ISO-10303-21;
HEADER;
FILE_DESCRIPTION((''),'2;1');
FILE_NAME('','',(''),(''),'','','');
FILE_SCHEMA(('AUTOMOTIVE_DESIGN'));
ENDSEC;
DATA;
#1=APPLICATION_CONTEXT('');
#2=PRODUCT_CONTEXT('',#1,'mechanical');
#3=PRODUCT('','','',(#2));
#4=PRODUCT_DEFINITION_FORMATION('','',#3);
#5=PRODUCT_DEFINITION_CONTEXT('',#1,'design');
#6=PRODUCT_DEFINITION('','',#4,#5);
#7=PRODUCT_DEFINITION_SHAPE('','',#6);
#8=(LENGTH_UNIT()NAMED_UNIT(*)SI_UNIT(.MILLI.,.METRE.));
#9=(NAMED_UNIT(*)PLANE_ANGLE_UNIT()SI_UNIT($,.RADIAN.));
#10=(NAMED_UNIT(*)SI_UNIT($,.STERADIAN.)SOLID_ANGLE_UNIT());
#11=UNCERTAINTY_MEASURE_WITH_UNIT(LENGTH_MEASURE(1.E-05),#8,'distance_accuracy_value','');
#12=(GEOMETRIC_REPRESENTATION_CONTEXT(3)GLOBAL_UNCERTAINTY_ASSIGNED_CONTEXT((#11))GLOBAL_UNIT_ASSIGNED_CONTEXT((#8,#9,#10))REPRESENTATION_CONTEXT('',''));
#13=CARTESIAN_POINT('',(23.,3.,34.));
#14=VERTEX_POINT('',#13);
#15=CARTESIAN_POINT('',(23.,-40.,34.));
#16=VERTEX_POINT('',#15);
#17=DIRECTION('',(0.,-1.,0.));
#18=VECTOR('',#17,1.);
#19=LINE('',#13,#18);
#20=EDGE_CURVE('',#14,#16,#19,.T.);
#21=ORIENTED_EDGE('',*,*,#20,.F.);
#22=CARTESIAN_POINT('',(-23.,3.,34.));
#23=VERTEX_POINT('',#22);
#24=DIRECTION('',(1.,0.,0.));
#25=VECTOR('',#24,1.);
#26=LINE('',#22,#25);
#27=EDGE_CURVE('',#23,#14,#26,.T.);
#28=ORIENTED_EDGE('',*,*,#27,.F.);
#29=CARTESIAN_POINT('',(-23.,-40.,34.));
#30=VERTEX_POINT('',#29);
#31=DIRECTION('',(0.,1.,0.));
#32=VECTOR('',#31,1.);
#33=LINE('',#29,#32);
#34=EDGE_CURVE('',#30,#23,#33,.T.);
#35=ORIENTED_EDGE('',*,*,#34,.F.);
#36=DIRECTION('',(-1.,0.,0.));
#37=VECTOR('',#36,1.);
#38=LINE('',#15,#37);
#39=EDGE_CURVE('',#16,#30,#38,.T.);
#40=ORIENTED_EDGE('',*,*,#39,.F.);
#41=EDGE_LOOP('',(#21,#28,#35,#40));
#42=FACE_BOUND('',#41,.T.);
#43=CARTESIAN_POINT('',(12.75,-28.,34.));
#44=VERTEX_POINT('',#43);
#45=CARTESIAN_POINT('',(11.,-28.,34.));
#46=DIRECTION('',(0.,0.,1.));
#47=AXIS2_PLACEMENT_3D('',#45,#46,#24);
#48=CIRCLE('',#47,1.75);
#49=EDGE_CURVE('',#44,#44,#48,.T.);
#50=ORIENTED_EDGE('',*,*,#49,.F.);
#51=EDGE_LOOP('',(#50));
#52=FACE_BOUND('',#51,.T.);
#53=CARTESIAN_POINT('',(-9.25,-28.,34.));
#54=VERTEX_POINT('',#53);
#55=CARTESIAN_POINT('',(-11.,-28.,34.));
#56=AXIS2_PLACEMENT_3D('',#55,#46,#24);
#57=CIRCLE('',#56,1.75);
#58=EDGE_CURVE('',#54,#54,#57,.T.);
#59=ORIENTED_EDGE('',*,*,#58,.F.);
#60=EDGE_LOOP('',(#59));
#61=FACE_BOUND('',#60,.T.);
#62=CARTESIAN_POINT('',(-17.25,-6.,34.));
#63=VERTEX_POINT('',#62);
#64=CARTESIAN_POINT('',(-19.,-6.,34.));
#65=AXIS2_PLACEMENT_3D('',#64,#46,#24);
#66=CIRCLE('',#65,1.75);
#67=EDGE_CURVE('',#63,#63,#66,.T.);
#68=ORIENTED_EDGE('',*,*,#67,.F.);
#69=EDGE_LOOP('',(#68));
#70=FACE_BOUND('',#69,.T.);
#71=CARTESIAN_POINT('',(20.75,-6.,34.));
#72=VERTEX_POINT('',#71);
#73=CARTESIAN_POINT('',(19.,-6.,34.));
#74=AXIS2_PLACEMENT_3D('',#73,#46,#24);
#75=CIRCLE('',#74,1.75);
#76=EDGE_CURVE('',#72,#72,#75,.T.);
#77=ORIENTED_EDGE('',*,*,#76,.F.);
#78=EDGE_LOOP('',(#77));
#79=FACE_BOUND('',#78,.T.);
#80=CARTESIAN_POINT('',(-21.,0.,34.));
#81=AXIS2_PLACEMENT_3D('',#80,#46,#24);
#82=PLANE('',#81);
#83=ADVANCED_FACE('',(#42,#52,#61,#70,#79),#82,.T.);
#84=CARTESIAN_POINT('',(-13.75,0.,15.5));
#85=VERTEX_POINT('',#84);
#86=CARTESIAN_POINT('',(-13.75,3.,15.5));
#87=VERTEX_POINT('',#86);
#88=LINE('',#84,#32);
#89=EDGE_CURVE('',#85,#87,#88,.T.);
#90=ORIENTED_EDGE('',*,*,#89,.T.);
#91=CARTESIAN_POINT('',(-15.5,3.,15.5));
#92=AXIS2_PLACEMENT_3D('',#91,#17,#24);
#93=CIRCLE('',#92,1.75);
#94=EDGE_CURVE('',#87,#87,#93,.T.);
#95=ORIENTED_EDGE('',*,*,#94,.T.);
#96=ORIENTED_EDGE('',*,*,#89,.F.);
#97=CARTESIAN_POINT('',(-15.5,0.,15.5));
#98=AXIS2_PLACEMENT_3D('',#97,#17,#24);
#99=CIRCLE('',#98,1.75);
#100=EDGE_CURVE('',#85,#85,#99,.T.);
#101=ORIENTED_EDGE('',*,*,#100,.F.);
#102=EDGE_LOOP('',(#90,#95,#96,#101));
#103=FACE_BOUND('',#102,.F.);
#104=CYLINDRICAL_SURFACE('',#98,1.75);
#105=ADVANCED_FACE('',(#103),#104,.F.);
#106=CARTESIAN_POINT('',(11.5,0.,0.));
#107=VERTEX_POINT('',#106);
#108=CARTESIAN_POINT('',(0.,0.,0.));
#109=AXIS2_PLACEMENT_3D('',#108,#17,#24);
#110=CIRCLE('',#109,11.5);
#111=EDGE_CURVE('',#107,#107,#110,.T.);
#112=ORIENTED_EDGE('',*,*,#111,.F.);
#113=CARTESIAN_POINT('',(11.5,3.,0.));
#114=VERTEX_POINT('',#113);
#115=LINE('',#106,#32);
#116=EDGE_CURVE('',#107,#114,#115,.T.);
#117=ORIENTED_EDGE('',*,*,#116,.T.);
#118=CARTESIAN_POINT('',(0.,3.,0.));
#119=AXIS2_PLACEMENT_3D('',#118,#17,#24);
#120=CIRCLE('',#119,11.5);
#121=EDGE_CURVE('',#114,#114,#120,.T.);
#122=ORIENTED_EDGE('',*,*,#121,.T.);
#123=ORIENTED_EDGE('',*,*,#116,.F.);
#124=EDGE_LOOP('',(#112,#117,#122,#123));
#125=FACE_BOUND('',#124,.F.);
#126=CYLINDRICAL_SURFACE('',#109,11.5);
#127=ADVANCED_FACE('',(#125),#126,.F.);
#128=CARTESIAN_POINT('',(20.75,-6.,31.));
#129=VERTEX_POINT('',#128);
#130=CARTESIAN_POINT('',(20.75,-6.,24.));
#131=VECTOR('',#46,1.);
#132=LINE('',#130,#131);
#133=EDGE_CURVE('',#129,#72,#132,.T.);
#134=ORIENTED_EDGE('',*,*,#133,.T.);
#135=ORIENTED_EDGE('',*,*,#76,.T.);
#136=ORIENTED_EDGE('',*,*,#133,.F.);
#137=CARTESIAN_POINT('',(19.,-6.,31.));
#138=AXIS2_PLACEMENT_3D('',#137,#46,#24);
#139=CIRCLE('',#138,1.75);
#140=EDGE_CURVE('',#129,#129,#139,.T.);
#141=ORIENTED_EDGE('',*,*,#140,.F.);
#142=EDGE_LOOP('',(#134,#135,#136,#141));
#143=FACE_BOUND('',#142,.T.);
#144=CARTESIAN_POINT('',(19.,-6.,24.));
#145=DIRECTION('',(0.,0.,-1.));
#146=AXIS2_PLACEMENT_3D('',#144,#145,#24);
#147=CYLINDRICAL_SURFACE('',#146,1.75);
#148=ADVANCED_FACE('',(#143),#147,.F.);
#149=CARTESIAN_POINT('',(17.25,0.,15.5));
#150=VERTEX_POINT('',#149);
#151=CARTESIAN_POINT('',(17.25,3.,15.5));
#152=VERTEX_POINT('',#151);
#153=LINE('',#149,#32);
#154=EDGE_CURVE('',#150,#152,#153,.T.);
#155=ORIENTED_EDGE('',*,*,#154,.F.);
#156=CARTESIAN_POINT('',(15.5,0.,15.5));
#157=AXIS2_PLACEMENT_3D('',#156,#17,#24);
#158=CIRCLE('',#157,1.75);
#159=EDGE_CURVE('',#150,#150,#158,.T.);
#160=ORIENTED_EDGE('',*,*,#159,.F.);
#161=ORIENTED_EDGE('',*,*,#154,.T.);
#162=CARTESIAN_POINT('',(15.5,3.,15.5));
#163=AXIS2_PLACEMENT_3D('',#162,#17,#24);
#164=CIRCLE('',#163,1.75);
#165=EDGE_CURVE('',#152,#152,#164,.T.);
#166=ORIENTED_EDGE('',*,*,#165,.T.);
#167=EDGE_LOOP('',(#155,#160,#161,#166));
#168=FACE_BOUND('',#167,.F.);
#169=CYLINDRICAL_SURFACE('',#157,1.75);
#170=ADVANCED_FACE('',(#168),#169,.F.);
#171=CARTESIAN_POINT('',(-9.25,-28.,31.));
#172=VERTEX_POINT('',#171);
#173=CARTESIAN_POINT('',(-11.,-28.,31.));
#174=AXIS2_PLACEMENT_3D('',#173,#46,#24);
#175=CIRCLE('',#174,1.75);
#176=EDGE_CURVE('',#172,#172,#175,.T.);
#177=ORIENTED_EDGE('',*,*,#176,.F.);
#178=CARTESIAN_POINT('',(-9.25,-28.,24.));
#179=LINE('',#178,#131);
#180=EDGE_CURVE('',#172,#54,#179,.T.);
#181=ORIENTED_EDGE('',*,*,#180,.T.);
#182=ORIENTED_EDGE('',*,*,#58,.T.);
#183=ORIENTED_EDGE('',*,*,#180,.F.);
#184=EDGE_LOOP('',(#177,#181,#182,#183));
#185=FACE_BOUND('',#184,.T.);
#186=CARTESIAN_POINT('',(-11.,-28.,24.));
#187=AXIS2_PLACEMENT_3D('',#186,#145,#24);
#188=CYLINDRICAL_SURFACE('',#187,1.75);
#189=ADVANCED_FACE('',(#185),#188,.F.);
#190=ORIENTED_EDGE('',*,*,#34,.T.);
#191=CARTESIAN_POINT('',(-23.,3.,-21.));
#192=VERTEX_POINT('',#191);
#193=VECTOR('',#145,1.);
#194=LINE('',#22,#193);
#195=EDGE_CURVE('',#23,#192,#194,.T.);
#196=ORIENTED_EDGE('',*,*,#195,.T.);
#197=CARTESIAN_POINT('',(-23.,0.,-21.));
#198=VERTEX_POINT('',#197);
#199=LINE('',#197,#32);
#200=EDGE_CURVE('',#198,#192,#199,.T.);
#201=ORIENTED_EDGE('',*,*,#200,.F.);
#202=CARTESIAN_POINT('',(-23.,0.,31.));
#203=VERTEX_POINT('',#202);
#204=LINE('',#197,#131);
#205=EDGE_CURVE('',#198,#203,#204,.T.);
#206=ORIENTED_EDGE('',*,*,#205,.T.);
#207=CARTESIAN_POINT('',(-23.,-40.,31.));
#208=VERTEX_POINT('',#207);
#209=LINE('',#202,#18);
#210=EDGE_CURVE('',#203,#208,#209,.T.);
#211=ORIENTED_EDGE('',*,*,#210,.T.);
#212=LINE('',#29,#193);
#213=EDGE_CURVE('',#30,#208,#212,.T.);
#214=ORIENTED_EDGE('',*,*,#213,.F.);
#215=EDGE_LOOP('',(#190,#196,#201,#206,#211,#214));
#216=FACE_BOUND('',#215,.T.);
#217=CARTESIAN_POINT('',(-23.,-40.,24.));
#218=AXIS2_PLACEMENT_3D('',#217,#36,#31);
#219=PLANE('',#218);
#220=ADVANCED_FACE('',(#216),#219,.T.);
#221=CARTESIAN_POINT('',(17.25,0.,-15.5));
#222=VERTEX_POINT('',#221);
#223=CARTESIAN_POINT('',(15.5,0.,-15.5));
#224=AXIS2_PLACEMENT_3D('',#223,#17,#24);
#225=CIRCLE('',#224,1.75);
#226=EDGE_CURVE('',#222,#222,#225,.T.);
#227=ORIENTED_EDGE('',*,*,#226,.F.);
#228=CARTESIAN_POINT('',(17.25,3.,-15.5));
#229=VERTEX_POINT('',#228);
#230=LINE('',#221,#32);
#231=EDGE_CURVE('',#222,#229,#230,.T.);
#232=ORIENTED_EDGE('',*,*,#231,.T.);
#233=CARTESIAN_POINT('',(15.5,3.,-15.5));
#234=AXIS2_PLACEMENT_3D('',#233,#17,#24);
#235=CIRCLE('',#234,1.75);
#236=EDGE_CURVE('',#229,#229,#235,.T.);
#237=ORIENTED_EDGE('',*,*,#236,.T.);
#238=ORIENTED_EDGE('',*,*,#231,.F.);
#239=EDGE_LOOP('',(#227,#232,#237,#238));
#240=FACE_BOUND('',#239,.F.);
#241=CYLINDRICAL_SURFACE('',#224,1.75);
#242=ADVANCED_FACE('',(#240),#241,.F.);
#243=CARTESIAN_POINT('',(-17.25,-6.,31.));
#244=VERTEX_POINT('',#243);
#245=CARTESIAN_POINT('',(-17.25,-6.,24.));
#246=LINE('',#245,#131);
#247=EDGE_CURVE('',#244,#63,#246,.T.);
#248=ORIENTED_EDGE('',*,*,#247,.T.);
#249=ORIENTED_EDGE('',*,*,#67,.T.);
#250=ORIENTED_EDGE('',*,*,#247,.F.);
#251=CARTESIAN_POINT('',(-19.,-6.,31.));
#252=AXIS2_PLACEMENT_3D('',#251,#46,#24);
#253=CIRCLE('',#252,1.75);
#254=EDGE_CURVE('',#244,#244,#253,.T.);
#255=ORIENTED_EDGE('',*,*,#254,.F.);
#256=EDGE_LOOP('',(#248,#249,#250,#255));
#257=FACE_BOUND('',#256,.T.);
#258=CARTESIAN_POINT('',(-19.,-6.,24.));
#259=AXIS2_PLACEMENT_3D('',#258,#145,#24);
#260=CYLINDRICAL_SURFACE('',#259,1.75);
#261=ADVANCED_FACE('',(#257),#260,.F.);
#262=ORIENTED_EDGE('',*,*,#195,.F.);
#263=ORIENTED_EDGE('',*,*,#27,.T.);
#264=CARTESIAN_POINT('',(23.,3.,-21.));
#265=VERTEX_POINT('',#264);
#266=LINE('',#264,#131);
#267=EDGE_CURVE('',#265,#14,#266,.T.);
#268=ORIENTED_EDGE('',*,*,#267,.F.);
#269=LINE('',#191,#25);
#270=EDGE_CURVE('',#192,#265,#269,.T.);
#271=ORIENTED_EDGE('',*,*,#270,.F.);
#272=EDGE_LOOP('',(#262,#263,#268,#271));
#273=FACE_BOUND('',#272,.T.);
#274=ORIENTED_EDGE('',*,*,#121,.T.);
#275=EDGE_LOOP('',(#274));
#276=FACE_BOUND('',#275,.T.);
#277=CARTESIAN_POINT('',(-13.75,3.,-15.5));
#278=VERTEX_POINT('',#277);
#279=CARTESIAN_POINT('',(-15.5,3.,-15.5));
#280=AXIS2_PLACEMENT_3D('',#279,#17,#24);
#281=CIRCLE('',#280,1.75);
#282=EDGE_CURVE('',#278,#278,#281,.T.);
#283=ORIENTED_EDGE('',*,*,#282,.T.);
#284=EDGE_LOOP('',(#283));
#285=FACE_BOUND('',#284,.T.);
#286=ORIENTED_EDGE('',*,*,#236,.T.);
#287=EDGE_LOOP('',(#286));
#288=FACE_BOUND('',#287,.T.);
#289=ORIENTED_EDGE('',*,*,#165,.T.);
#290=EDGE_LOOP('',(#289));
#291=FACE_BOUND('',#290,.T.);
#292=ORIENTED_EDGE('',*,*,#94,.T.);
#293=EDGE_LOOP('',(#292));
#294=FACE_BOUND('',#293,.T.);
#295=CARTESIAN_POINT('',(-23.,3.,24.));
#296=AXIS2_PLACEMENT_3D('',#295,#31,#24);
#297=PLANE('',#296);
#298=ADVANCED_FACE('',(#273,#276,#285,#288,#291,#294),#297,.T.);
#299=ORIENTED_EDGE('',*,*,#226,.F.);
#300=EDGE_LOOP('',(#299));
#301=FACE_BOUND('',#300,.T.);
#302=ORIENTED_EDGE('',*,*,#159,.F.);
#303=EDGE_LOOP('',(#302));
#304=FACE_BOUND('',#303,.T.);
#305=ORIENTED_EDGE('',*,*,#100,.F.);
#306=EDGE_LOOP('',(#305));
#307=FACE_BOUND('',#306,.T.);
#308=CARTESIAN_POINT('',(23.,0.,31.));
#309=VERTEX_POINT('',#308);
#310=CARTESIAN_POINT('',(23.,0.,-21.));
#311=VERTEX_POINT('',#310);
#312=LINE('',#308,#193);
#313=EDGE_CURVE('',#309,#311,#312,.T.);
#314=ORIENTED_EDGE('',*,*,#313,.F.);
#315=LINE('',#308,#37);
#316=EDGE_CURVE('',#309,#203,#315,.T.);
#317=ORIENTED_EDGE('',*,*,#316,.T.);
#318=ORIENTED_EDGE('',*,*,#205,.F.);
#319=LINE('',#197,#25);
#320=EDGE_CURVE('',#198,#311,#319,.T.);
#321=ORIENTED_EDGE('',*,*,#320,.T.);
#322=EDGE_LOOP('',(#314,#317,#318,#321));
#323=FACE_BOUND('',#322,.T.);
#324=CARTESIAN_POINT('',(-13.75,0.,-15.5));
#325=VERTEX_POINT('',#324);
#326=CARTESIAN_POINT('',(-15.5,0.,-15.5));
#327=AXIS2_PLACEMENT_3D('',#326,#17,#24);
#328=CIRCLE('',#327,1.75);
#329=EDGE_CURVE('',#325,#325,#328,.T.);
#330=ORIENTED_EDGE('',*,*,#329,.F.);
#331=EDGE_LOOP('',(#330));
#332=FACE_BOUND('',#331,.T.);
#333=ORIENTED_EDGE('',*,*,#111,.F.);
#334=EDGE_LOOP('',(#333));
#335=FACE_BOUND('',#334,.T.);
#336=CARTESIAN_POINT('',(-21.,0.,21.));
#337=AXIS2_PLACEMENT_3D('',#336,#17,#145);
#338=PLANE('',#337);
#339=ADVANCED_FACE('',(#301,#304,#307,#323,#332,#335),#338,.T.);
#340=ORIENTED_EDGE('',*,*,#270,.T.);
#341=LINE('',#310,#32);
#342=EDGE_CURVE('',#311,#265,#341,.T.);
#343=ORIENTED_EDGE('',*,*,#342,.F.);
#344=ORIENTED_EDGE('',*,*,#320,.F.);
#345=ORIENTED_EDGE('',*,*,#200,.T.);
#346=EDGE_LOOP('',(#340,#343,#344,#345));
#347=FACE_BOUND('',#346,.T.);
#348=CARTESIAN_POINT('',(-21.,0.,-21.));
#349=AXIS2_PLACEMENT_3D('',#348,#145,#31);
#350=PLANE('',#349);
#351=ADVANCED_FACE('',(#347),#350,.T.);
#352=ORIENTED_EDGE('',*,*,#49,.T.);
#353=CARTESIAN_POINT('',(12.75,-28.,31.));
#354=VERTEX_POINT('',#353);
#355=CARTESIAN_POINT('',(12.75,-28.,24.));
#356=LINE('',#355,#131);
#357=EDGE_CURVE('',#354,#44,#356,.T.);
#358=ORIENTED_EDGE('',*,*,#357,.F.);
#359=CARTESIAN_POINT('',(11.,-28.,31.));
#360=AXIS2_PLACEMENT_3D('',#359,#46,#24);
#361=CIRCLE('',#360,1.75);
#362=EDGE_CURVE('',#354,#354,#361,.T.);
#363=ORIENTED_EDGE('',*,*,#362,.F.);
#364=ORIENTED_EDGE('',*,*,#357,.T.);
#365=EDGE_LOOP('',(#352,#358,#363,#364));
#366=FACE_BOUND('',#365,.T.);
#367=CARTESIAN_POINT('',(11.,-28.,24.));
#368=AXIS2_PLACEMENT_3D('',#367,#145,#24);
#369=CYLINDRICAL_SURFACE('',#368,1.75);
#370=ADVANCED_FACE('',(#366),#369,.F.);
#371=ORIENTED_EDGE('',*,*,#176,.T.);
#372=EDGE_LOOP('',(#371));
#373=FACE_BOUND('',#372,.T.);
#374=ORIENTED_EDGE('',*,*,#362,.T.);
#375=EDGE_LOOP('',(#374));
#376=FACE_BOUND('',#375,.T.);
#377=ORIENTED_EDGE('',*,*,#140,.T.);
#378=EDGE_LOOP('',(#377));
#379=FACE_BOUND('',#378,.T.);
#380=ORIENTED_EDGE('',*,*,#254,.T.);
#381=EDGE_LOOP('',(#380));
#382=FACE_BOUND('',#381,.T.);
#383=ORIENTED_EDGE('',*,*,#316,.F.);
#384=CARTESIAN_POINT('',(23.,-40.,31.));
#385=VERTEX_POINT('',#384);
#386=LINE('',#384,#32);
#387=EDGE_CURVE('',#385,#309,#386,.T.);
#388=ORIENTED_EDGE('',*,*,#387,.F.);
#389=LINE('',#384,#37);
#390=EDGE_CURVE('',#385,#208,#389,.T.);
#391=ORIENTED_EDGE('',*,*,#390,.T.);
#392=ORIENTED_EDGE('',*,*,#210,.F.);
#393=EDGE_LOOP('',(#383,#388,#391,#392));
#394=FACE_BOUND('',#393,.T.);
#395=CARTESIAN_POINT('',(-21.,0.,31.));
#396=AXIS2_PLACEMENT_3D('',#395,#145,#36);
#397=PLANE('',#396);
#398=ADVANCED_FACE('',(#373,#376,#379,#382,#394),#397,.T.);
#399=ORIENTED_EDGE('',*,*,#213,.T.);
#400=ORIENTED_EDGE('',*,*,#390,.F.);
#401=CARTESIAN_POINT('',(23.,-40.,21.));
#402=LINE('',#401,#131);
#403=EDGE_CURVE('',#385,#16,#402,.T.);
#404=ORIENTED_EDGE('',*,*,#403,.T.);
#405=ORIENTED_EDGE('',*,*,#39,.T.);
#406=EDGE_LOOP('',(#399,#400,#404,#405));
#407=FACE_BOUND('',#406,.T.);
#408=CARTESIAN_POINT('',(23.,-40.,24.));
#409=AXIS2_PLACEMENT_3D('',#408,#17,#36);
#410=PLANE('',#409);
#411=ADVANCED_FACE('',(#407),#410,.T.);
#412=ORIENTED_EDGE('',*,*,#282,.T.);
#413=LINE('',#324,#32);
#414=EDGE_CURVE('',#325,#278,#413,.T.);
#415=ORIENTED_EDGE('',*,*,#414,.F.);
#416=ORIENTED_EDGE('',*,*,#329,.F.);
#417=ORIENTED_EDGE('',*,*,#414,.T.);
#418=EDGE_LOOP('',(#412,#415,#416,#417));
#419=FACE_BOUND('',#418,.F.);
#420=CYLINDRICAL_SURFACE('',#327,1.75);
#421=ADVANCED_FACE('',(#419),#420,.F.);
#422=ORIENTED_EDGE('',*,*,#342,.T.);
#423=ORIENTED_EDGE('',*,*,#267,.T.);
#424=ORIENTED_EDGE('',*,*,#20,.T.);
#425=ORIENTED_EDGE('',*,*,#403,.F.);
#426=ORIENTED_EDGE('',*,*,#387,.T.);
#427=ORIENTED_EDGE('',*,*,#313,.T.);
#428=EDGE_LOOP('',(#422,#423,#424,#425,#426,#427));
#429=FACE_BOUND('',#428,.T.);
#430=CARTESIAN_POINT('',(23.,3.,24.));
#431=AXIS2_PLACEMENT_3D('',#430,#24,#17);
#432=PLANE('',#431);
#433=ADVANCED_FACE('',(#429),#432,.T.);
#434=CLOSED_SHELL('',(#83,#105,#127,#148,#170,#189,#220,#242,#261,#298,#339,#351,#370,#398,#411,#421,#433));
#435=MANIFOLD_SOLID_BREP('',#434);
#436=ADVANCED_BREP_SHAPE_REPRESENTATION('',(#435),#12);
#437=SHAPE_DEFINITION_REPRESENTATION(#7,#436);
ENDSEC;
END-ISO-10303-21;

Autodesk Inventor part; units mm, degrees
ref_plane "YZ Plane" through (0, 0, 0) normal (1, 0, 0) x (0, 1, 0)
ref_plane "XZ Plane" through (0, 0, 0) normal (0, 1, 0) x (-1, 0, 0)
ref_plane "XY Plane" through (0, 0, 0) normal (0, 0, 1) x (1, 0, 0)
sketch "草图2" plane through (0, 0, 0) normal (0, 1, 0) x (-1, 0, 0)
  line L0 (-21, 21) -> (21, 21)
  line L1 (21, 21) -> (21, -21)
  line L2 (21, -21) -> (-21, -21)
  line L3 (-21, -21) -> (-21, 21)
  line L4 (-21, 21) -> (21, -21) construction
  line L5 (21, 21) -> (-21, -21) construction
  point P0 (0, 0)
  dimension "d3" = 42
  dimension "d4" = 42
extrude "拉伸2" add sketch "草图2" along normal blind 3
sketch "草图3" plane through (-21, 0, 21) normal (0, 0, 1) x (1, 0, 0)
  line L0 (0, 3) -> (42, 3) projected
  line L1 (0, 3) -> (42, 3)
  line L2 (42, 3) -> (42, -40)
  line L3 (42, -40) -> (0, -40)
  line L4 (0, -40) -> (0, 3)
  point P0 (21, 0)
  dimension "d7" = 43
extrude "拉伸3" add sketch "草图3" along normal blind 3
sketch "草图7" plane through (0, 0, 0) normal (0, -1, 0) x (1, 0, 0)
  circle A0 centre (0, 0) radius 11.5
  circle A1 centre (-15.5, 15.5) radius 1.75
  circle A2 centre (-15.5, -15.5) radius 1.75
  circle A3 centre (15.5, -15.5) radius 1.75
  circle A4 centre (15.5, 15.5) radius 1.75
  dimension "d17" = 23
  dimension "d18" = 3.5
  dimension "d19" = 15.5
  dimension "d20" = 15.5
  dimension "d21" = 15.5
  dimension "d22" = 15.5
extrude "拉伸6" cut sketch "草图7" against normal blind 3
sketch "草图9" plane through (-21, 0, 21) normal (0, 0, -1) x (-1, 0, 0)
  circle A0 centre (-40, -6) radius 1.75
  line L0 (0, 0) -> (-42, 0) projected
  line L1 (-42, 3) -> (0, 3) projected
  line L2 (-21, 0) -> (-21, -40) construction
  line L3 (0, -40) -> (-42, -40) projected
  circle A1 centre (-2, -6) radius 1.75
  circle A2 centre (-32, -28) radius 1.75
  circle A3 centre (-10, -28) radius 1.75
  dimension "d32" = 3.5
  dimension "d34" = 9
  dimension "d35" = 19
  dimension "d36" = 3.5
  dimension "d37" = 11
  dimension "d38" = 22
extrude "拉伸8" cut sketch "草图9" against normal blind 10
sketch "草图10" plane through (21, 0, -21) normal (1, 0, 0) x (0, 0, -1)
  line L0 (0, 0) -> (-42, 0) projected
  line L1 (0, 0) -> (0, 3) projected
  line L2 (0, 3) -> (-45, 3) projected
  line L3 (-45, -40) -> (-45, 3) projected
  line L4 (-42, -40) -> (-45, -40) projected
  line L5 (-42, -40) -> (-42, 0) projected
  point P0 (-21, 0)
extrude "拉伸9" add sketch "草图10" along normal blind 2
sketch "草图11" plane through (-21, 0, -21) normal (-1, 0, 0) x (0, 0, 1)
  line L0 (42, 0) -> (0, 0) projected
  line L1 (42, 0) -> (42, -40) projected
  line L2 (42, -40) -> (45, -40) projected
  line L3 (45, 3) -> (45, -40) projected
  line L4 (0, 3) -> (45, 3) projected
  line L5 (0, 0) -> (0, 3) projected
  point P0 (21, 0)
extrude "拉伸10" add sketch "草图11" along normal blind 2
sketch "草图12" plane through (-21, 0, 24) normal (0, 0, 1) x (1, 0, 0)
  circle A0 centre (32, -28) radius 1.75 projected
  circle A1 centre (40, -6) radius 1.75 projected
  circle A2 centre (2, -6) radius 1.75 projected
  circle A3 centre (10, -28) radius 1.75 projected
  line L0 (44, -40) -> (-2, -40) projected
  line L1 (44, 3) -> (44, -40) projected
  line L2 (-2, 3) -> (44, 3) projected
  line L3 (-2, -40) -> (-2, 3) projected
  point P0 (21, 0)
extrude "拉伸11" add sketch "草图12" along normal blind 10
sketch "草图13" plane through (-21, 0, 21) normal (0, 0, -1) x (-1, 0, 0)
  circle A0 centre (-32, -28) radius 1.75 projected
  circle A1 centre (-40, -6) radius 1.75 projected
  circle A2 centre (-2, -6) radius 1.75 projected
  circle A3 centre (-10, -28) radius 1.75 projected
  line L0 (-44, 0) -> (2, 0) projected
  line L1 (-44, -40) -> (-44, 0) projected
  line L2 (-44, -40) -> (2, -40) projected
  line L3 (2, 0) -> (2, -40) projected
  point P0 (-21, 0)
extrude "拉伸12" cut sketch "草图13" against normal blind 10
properties part number "电机座2"
